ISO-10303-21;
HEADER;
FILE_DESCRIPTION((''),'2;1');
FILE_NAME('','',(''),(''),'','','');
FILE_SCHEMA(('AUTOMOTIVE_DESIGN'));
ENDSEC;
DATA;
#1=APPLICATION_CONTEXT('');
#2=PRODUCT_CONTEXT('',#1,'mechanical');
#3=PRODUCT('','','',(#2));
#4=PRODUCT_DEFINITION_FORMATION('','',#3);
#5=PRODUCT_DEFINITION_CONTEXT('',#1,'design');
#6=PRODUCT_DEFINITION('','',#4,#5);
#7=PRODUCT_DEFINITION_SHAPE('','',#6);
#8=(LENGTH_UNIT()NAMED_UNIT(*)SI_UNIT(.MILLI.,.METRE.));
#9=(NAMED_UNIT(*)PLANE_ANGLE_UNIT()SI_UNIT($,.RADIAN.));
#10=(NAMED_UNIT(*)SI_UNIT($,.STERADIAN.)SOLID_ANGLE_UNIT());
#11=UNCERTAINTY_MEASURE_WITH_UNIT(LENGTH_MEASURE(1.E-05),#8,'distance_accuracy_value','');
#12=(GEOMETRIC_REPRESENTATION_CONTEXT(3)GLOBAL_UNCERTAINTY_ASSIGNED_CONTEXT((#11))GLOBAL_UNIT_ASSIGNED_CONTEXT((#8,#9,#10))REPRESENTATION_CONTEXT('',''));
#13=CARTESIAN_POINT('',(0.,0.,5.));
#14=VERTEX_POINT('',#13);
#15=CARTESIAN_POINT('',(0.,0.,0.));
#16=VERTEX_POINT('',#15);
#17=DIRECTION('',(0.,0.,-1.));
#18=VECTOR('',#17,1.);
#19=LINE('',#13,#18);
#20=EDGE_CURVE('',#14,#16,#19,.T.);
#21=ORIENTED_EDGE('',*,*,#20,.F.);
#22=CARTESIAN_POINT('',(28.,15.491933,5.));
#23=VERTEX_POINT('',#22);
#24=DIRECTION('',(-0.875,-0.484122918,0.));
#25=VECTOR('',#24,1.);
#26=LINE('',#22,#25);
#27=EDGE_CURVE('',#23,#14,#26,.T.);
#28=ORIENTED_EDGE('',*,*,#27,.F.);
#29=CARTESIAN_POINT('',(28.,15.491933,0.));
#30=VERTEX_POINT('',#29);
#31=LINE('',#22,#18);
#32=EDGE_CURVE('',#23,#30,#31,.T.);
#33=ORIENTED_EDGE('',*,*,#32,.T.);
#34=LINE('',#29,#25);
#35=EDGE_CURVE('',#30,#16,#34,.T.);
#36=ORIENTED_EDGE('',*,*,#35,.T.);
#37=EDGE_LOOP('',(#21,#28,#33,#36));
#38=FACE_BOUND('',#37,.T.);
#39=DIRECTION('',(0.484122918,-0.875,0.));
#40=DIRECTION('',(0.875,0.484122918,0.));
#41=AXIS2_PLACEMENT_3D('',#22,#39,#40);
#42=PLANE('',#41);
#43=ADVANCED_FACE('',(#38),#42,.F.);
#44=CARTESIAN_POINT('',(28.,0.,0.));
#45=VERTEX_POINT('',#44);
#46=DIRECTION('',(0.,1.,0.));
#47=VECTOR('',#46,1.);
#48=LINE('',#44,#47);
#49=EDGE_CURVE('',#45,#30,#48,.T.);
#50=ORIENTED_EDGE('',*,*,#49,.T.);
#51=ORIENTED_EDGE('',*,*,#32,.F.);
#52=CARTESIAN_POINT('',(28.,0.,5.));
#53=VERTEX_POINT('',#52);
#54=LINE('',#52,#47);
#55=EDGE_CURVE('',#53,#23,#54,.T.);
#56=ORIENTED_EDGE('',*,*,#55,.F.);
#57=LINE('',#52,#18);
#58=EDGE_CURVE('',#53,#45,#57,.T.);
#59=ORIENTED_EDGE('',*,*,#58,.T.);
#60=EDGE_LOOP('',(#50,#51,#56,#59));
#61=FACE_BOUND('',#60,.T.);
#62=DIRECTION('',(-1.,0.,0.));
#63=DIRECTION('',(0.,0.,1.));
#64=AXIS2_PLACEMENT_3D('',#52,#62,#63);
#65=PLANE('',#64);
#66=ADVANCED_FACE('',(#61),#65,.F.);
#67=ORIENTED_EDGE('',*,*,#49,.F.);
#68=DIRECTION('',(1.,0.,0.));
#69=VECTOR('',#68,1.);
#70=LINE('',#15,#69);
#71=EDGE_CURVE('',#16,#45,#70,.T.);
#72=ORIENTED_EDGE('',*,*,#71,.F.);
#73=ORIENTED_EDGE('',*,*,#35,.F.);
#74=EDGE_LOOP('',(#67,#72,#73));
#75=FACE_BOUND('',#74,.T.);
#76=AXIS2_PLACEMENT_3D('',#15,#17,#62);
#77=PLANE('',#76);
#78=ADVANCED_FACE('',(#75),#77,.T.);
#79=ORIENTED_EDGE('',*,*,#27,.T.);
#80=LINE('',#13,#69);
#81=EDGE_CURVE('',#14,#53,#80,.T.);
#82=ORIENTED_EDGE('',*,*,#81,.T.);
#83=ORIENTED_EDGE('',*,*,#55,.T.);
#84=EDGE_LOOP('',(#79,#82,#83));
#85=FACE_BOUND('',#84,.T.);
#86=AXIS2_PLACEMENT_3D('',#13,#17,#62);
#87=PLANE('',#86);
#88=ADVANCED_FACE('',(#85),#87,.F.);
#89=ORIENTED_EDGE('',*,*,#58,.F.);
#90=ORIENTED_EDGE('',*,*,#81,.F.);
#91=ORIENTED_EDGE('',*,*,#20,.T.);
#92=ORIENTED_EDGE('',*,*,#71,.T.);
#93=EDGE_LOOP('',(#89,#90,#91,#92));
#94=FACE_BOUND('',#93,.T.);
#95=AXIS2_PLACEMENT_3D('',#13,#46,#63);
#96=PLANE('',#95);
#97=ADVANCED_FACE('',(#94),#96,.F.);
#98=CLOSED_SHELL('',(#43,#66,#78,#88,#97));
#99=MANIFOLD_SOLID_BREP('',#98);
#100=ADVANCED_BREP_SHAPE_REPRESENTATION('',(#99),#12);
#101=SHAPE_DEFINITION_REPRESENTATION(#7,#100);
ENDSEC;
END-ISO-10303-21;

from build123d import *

# Parameters (mm, degrees)
BOSS_EXTRUDE1_DEPTH = 5


with BuildPart() as part:
    # Sketch1 → Boss-Extrude1 (new body)
    with BuildSketch(Plane.XY):
        Polygon((0, 0), (28, 0), (28, 15.491933385), align=None)
    extrude(amount=BOSS_EXTRUDE1_DEPTH)


solid = part.part
